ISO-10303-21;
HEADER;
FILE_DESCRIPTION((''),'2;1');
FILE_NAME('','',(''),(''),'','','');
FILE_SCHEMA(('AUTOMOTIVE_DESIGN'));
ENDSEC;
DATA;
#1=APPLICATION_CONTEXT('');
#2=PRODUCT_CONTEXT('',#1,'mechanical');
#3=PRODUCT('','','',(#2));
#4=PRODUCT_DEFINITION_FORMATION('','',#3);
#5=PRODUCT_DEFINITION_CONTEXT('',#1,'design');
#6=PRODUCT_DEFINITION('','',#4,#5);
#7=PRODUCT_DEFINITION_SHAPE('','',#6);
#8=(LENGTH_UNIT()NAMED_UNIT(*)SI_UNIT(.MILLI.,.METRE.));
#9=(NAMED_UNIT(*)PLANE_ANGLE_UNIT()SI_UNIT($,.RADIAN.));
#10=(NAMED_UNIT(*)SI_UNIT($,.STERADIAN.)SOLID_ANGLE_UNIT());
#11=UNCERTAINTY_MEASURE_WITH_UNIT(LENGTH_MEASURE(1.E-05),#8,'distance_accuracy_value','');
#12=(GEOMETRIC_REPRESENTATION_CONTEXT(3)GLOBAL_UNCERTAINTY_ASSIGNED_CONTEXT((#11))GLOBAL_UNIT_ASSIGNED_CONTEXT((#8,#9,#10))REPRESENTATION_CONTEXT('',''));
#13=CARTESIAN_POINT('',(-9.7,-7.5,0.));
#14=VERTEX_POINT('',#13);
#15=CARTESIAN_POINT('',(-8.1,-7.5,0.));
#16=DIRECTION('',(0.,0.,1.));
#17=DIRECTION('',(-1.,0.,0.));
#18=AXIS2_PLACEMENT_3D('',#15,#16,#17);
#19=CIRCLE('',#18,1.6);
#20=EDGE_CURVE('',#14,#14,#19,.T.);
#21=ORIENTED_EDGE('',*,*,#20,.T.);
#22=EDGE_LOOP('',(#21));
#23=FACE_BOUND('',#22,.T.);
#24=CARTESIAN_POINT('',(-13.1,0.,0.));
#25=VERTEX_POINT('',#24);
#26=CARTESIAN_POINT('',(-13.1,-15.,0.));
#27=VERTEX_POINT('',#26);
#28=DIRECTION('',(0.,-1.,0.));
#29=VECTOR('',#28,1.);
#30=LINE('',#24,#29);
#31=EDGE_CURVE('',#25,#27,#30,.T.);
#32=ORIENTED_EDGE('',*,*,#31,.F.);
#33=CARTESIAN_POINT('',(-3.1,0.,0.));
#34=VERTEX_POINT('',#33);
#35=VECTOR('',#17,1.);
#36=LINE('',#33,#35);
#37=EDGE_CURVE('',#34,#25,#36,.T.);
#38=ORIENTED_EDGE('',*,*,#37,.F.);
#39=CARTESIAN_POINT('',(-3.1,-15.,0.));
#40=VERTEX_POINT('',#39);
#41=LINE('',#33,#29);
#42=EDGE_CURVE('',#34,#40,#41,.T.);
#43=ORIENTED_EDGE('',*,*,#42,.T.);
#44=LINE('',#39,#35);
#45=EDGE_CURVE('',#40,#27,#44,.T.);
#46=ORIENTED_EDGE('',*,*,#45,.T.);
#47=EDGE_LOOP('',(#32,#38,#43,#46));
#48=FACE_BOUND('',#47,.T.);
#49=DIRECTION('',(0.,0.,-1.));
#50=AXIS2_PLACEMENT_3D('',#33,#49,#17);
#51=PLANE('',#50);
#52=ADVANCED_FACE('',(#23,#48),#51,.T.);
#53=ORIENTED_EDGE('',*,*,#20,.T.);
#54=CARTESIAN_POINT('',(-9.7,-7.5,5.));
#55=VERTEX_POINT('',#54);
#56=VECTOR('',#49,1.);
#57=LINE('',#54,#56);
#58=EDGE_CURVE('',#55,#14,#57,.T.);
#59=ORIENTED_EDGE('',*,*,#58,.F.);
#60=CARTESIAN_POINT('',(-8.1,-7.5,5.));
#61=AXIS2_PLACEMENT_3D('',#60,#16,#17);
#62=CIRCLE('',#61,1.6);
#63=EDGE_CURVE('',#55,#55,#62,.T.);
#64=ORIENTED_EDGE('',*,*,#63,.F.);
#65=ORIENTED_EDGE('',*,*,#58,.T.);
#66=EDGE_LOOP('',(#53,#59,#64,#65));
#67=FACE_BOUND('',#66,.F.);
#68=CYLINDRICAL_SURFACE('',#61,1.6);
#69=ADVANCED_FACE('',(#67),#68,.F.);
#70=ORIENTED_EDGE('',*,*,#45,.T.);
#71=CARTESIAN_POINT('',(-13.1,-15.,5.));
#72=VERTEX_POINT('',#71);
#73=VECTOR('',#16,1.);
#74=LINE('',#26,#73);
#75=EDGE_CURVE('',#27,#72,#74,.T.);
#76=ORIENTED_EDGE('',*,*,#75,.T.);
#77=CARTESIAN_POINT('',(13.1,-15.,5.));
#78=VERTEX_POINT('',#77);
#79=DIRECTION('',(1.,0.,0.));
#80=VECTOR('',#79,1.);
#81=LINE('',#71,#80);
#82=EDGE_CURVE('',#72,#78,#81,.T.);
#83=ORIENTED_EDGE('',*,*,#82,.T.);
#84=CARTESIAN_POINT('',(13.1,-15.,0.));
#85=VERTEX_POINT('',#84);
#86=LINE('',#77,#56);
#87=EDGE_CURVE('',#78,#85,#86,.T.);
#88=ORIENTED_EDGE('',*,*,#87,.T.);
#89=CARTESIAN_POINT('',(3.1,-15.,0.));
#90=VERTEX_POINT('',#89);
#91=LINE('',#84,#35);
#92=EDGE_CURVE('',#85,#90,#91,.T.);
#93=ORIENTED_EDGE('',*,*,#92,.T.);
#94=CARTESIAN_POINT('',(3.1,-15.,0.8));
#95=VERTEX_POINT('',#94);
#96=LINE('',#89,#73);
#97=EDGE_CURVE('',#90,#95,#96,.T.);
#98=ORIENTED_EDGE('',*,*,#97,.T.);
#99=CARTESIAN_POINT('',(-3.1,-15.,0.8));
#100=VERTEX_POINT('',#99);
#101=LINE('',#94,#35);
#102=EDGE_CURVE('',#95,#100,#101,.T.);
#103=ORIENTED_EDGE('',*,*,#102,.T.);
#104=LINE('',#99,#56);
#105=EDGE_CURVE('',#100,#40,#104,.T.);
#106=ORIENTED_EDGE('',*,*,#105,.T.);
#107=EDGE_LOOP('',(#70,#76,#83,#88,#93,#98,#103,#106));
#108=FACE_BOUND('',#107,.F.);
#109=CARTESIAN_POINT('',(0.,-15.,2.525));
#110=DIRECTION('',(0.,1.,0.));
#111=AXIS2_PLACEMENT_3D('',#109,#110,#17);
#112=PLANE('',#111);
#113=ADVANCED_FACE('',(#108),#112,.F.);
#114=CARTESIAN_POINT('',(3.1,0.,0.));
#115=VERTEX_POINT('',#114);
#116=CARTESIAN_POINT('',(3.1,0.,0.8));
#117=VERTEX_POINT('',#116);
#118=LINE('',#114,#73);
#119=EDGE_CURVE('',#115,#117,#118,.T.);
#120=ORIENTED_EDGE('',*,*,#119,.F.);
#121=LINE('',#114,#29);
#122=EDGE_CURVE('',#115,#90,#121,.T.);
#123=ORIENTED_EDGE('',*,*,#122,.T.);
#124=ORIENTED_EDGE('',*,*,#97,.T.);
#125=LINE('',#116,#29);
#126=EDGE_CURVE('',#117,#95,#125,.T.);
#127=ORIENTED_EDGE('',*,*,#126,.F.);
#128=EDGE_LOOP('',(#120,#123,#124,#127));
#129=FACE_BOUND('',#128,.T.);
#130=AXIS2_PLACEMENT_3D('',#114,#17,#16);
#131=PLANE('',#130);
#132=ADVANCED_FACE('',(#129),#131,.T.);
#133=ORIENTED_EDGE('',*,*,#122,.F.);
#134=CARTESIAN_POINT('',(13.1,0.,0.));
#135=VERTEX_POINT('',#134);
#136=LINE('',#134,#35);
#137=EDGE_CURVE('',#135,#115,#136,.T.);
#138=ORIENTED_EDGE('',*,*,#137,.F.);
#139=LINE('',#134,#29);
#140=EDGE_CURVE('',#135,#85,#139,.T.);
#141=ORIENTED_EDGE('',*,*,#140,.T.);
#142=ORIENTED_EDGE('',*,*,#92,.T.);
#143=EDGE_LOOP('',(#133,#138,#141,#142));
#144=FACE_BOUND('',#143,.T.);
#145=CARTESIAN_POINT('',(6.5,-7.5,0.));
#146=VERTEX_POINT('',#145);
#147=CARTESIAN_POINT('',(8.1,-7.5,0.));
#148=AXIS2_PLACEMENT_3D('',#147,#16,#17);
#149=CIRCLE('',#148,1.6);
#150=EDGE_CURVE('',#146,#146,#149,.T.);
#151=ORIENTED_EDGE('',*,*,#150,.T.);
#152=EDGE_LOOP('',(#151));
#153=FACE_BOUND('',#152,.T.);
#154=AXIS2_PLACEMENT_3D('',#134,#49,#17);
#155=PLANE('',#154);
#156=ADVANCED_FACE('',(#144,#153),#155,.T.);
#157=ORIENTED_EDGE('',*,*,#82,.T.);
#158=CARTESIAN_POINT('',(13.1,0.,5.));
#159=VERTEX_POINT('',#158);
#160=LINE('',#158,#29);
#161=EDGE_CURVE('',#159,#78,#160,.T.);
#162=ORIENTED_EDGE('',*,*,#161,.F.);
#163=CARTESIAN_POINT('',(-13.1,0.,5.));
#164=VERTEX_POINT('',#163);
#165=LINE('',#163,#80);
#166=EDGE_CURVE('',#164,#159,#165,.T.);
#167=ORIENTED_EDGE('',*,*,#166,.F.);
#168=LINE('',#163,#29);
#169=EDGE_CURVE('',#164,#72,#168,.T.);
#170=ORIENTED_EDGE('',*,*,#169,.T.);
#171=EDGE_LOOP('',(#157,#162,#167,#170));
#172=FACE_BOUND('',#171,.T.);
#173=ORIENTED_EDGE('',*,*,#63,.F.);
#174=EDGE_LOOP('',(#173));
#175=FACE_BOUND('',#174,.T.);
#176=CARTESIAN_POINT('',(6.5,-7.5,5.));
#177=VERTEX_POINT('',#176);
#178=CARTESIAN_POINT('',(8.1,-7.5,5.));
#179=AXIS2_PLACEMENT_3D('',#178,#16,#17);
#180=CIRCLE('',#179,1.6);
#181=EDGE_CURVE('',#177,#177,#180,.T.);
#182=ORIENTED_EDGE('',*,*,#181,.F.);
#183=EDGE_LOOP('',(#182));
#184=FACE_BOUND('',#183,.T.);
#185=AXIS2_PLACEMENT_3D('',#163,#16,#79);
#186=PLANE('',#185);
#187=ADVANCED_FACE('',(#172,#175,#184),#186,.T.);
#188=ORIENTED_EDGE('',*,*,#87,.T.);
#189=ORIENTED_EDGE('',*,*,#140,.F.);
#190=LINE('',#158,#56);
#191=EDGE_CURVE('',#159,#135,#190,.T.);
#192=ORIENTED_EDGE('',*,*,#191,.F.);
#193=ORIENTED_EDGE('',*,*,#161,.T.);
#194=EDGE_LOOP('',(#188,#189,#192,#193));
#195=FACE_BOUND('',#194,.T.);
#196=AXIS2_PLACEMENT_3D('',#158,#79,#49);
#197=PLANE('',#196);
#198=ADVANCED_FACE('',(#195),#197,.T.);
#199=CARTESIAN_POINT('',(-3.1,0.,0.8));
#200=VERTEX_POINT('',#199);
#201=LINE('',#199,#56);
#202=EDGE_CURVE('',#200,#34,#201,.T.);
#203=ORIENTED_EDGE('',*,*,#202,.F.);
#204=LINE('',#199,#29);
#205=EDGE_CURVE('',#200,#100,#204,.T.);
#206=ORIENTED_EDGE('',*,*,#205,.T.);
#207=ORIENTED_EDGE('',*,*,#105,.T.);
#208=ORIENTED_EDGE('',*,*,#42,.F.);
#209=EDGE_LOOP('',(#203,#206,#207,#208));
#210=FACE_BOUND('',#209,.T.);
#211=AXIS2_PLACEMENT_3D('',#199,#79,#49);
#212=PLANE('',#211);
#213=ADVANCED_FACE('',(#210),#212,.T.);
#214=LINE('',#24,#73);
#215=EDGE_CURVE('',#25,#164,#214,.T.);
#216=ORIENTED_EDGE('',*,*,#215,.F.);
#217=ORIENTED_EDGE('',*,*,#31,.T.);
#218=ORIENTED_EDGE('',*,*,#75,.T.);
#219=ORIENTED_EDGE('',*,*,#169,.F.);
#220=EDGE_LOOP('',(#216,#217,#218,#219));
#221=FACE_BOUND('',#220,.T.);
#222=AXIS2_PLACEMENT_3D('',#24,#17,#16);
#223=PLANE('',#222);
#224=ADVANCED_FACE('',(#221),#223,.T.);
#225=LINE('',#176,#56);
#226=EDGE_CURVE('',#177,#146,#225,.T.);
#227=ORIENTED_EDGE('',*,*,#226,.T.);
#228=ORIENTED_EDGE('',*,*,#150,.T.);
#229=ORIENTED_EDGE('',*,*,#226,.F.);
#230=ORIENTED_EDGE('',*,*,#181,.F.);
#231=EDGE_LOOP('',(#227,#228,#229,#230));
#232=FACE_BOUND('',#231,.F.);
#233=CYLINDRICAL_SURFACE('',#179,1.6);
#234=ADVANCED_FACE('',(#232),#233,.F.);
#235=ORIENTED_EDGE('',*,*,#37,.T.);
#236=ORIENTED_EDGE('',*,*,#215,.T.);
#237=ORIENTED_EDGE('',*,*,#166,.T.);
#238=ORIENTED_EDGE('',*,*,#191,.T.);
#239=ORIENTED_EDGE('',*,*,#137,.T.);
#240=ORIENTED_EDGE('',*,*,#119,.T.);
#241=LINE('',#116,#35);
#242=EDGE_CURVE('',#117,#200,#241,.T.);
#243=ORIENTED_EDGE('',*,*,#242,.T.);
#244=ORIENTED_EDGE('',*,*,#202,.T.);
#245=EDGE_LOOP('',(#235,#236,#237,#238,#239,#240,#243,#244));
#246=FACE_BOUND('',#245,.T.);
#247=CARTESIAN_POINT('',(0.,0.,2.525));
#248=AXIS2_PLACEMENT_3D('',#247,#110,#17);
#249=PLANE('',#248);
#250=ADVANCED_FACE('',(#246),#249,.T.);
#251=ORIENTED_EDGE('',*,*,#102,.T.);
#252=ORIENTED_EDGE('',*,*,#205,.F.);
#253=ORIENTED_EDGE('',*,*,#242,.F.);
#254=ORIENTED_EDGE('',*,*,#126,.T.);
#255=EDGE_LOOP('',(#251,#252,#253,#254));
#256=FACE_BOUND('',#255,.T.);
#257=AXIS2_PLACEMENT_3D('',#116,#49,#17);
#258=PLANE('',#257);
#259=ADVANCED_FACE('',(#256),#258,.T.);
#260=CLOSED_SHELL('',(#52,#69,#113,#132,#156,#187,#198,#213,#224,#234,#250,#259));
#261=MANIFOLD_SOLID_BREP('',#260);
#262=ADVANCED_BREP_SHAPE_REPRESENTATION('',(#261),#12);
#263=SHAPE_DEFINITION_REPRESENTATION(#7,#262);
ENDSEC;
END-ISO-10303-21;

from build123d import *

# Parameters (mm, degrees)
PAD_DEPTH    = 15
SKETCH001_R  = 1.6
POCKET_DEPTH = 5


with BuildPart() as part:
    # Sketch → Pad (new body)
    with BuildSketch(Plane.XZ):
        Polygon((-3.1, 0), (-13.1, 0), (-13.1, 5), (13.1, 5), (13.1, 0), (3.1, 0), (3.1, 0.8), (-3.1, 0.8), align=None)
    extrude(amount=PAD_DEPTH)

    # Sketch001 (on Face3 of Pad) → Pocket (cut)
    with BuildSketch(Plane(origin=(0, 0, 5), x_dir=(-1, 0, 0), z_dir=(0, 0, 1))):
        with Locations((-8.1, 7.5)):
            Circle(SKETCH001_R)
        with Locations((8.1, 7.5)):
            Circle(SKETCH001_R)
    extrude(amount=-POCKET_DEPTH, mode=Mode.SUBTRACT)


solid = part.part
